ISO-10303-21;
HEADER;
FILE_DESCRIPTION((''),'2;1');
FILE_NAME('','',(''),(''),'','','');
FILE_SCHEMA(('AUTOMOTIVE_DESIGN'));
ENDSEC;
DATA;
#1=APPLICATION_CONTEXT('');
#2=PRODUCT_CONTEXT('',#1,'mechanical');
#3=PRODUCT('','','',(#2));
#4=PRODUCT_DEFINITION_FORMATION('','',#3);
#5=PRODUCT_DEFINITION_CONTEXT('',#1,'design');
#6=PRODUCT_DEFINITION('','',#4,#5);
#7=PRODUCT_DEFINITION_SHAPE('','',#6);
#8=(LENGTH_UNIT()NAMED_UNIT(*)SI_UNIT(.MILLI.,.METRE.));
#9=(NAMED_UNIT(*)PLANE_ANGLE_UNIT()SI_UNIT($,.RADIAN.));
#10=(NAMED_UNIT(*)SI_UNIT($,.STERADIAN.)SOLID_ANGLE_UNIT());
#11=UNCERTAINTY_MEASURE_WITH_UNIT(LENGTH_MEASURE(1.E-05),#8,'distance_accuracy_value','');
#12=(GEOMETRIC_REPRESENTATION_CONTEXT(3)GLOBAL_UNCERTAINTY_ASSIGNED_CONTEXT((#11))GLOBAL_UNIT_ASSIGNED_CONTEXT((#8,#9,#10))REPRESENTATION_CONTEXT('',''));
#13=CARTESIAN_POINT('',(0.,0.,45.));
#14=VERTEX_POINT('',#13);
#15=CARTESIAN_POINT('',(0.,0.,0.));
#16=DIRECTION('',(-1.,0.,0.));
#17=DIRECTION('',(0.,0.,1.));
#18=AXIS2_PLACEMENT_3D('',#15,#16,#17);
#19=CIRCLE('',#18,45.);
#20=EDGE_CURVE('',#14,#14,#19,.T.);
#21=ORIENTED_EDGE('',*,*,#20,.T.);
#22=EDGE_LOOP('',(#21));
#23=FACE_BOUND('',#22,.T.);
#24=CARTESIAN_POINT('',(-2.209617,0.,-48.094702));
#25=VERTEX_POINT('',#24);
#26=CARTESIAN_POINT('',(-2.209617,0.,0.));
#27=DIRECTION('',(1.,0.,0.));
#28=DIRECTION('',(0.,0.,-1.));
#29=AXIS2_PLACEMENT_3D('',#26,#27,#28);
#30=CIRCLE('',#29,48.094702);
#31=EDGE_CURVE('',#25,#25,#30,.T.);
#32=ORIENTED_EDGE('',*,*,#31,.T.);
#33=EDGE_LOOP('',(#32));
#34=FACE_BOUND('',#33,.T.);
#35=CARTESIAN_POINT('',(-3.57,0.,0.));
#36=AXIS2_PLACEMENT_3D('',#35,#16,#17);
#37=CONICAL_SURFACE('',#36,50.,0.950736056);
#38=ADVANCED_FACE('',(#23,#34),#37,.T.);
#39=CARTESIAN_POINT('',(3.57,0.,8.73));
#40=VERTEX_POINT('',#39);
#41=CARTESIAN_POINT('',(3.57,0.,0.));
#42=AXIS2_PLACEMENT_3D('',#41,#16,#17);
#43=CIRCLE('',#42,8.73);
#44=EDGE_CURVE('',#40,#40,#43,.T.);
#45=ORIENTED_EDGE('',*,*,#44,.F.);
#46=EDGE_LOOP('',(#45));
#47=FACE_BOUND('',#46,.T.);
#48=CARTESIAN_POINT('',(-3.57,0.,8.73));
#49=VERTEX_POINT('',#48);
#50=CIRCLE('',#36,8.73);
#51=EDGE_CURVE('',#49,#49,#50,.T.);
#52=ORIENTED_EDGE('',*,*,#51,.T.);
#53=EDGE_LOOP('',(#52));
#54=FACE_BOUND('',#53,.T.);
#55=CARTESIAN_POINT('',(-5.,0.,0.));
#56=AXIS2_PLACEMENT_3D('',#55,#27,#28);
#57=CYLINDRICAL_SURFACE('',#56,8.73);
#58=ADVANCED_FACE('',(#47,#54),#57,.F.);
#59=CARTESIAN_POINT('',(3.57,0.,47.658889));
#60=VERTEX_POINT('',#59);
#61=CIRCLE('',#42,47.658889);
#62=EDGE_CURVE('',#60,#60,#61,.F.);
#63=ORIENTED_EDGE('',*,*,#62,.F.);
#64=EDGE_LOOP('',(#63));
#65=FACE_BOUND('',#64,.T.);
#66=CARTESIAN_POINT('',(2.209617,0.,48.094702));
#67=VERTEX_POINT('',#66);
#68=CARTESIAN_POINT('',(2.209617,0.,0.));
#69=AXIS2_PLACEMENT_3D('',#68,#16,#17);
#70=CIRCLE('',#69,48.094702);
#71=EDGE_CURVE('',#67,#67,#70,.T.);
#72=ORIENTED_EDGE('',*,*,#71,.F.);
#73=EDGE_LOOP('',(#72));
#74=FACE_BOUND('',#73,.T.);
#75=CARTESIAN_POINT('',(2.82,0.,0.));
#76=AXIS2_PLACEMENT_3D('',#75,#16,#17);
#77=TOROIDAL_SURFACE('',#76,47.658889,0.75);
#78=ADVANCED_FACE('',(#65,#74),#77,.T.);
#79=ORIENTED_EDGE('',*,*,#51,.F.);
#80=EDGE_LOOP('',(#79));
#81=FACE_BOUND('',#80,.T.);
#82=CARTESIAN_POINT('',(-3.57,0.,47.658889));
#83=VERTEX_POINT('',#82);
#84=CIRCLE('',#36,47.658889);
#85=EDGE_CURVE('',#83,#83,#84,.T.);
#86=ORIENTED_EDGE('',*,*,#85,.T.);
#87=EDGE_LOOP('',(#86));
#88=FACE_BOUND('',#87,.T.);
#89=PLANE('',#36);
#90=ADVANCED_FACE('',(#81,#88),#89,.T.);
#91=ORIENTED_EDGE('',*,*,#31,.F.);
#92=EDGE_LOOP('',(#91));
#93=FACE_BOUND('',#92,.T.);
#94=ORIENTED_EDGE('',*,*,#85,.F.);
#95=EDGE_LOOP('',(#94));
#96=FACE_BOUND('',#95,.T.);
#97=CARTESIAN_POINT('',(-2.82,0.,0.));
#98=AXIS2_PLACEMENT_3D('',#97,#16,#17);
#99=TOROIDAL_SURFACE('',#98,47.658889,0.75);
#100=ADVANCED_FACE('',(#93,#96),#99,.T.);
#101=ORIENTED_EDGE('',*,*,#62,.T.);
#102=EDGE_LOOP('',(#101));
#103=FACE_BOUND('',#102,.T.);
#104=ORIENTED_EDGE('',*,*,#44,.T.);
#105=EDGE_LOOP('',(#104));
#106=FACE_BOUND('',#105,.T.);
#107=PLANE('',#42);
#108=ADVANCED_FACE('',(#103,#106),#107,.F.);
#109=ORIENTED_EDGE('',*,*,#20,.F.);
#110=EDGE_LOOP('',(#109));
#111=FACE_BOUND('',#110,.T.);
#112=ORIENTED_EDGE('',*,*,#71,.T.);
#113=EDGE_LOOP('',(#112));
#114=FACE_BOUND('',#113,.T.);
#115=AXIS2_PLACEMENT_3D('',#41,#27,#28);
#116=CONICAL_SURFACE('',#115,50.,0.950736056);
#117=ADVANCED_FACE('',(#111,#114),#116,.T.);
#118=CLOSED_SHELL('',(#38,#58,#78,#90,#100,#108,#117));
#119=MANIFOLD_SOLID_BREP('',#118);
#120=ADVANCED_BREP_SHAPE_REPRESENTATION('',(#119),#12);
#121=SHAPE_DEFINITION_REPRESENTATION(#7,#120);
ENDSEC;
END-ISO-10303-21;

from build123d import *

# Parameters (mm, degrees)
FILLET1_R          = 0.75
SKETCH2_R          = 8.73
CUT_EXTRUDE1_DEPTH = 5


with BuildPart() as part:
    # Sketch1 → Revolve1 (revolve)
    with BuildSketch(Plane.XY, mode=Mode.PRIVATE) as revolve1_sk:
        Polygon((-3.57, 50), (-3.57, 0), (0, 0), (0, 45), align=None)
        Polygon((0, 45), (0, 0), (3.57, 0), (3.57, 50), align=None)
    revolve(revolve1_sk.sketch.rotate(Axis((0, 0, 0), (1, 0, 0)), 90), axis=Axis((0, 0, 0), (1, 0, 0)))

    # Fillet1
    fillet1_edges = [part.edges().sort_by_distance(p)[0] for p in [
        (-3.57, 0, -50),
        (3.57, 0, -50),
    ]]
    fillet(fillet1_edges, radius=FILLET1_R)

    # Sketch2 → Cut-Extrude1 (cut, symmetric)
    with BuildSketch(Plane(origin=(0, 0, 0), x_dir=(0, 0, -1), z_dir=(1, 0, 0))):
        with Locations(Location((0, 0, 0), (0, 0, 180))):
            Circle(SKETCH2_R)
    extrude(amount=CUT_EXTRUDE1_DEPTH, both=True, mode=Mode.SUBTRACT)


solid = part.part
